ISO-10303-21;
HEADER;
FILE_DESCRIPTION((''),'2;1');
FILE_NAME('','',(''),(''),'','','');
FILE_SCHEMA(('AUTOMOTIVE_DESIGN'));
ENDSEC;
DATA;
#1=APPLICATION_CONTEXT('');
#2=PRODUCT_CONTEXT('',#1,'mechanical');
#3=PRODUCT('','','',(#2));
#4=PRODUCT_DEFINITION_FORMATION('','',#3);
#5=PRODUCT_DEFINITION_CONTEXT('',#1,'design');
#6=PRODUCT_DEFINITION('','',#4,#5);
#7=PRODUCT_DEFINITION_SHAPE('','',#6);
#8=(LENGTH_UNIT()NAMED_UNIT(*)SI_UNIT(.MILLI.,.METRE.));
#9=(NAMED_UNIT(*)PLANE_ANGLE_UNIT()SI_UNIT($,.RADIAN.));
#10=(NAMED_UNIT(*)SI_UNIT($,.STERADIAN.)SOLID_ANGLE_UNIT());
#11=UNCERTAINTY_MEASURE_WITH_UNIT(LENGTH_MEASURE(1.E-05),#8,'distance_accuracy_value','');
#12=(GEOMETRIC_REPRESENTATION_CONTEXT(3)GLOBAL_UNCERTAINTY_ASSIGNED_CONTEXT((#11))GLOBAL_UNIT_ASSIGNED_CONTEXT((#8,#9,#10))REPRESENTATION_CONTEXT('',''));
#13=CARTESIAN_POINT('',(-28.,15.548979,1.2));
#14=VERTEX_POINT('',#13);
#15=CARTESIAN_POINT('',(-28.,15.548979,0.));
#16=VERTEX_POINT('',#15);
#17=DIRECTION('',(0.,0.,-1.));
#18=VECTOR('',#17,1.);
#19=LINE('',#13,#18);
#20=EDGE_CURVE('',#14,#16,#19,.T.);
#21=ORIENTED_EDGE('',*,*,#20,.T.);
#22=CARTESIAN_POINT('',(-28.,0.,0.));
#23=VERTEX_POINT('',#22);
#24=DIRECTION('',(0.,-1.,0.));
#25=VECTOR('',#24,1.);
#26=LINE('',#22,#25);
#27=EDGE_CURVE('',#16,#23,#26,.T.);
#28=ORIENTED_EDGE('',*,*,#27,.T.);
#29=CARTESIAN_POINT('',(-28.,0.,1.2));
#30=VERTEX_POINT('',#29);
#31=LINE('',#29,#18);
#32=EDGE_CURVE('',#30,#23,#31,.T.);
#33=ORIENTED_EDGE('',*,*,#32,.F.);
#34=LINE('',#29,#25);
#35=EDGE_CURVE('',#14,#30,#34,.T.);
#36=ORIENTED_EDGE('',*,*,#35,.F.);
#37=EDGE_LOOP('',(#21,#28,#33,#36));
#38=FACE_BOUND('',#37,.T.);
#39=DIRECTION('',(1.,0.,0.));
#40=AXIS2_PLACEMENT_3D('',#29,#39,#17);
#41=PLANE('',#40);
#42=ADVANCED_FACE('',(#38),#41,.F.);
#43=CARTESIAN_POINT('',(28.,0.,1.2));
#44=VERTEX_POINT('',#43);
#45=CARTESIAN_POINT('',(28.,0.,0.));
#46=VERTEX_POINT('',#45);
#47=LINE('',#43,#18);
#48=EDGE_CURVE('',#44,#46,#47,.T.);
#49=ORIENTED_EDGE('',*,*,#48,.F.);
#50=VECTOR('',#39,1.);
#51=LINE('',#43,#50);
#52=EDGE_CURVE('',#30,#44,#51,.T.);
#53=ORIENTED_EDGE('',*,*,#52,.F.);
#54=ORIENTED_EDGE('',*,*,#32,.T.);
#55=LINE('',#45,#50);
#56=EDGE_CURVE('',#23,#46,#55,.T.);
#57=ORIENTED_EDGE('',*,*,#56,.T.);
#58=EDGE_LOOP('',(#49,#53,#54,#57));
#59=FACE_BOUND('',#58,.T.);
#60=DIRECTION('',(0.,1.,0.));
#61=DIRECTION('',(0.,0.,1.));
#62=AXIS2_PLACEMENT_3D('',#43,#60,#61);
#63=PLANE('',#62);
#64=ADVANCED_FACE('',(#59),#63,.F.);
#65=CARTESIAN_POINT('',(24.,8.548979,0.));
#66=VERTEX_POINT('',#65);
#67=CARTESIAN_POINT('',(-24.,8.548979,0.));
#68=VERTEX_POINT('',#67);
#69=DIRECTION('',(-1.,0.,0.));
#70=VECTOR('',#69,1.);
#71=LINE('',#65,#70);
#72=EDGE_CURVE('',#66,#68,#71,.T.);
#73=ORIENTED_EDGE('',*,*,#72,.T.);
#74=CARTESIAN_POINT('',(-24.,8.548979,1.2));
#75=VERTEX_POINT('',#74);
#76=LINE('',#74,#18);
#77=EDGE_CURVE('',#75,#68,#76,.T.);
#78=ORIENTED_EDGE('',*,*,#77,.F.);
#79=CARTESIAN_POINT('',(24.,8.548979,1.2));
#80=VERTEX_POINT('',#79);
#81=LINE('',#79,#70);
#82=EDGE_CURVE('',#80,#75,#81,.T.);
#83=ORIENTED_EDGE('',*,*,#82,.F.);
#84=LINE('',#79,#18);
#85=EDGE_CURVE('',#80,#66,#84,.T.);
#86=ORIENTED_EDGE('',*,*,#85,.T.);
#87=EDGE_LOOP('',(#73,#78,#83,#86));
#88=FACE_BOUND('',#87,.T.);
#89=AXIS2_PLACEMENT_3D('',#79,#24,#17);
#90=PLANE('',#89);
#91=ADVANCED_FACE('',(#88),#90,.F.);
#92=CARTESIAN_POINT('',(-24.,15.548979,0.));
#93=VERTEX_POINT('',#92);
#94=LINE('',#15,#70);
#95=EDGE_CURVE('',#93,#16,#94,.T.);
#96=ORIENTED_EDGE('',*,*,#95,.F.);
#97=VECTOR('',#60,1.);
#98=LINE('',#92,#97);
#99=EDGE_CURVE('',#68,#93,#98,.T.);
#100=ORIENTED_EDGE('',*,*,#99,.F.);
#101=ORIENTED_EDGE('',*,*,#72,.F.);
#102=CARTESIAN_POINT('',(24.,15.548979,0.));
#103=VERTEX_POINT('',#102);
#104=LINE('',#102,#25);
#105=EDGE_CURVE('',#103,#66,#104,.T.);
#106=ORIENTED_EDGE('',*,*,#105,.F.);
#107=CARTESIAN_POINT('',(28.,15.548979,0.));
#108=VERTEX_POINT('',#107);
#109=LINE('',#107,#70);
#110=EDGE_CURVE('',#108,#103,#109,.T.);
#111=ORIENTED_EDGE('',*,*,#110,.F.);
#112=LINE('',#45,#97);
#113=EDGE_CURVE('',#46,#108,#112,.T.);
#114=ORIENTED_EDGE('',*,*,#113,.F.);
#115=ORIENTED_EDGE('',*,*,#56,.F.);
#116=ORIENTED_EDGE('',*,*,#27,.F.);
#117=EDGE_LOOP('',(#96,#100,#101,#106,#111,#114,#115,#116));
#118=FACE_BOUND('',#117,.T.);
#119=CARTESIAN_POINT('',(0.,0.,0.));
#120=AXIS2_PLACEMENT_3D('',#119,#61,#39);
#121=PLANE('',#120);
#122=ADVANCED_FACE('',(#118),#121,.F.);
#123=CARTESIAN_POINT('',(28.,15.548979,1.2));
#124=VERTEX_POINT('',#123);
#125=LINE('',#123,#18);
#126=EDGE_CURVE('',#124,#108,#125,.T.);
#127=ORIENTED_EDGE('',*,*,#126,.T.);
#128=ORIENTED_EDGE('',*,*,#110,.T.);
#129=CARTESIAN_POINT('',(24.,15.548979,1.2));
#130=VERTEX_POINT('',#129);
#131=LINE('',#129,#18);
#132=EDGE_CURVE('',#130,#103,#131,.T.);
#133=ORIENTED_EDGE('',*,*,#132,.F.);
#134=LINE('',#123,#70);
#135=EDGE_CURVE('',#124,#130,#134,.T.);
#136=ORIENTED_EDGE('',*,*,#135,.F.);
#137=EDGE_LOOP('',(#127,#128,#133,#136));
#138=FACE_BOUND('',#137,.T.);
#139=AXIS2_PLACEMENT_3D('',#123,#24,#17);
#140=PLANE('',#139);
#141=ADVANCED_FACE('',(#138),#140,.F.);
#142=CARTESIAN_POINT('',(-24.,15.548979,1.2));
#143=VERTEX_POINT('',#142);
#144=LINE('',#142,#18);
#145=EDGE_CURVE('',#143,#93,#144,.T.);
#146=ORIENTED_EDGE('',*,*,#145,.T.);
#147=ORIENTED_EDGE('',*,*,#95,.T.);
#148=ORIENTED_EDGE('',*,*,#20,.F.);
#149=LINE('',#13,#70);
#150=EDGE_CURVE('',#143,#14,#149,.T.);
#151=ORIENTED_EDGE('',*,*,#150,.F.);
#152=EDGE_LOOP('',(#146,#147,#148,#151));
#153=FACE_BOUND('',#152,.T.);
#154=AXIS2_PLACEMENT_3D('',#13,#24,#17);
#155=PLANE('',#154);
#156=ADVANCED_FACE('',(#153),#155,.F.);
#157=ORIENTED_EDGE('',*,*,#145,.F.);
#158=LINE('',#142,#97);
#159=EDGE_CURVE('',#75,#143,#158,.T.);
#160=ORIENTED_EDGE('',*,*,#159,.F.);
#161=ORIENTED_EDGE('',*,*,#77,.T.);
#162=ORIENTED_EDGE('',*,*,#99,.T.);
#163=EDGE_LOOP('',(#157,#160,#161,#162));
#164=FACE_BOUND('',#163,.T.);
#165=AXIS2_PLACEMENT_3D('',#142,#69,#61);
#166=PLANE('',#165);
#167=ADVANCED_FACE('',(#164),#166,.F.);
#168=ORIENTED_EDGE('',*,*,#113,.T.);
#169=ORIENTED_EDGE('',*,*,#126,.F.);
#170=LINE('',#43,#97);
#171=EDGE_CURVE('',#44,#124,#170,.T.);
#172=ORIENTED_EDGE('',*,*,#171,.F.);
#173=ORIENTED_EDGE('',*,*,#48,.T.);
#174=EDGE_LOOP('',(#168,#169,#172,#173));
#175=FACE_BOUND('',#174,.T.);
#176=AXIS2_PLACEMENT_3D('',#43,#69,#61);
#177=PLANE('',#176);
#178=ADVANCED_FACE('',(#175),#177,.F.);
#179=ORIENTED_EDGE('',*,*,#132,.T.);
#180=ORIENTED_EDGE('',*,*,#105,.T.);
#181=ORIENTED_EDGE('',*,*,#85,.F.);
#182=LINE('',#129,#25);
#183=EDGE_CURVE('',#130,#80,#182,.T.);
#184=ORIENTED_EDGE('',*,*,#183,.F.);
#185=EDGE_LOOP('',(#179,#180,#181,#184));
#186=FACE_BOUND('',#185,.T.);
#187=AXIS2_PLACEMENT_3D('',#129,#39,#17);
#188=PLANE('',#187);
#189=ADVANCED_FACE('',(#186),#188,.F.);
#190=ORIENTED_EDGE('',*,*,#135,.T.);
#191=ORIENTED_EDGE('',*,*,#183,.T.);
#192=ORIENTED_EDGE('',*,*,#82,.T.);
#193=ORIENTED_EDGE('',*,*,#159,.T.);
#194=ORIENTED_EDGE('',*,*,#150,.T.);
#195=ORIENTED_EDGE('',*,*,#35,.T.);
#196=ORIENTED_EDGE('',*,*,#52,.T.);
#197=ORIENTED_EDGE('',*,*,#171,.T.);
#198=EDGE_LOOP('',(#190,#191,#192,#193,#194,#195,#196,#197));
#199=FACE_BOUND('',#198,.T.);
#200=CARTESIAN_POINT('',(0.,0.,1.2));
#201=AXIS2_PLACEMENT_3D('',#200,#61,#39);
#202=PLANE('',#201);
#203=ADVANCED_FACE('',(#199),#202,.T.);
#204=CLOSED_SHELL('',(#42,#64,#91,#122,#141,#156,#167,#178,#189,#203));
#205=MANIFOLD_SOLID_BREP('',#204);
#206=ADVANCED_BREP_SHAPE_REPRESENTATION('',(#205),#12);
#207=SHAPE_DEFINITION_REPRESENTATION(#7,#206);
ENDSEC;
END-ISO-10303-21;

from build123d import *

# Parameters (mm, degrees)
BOSS_EXTRUDE1_DEPTH = 1.2


with BuildPart() as part:
    # Sketch1 → Boss-Extrude1 (new body)
    with BuildSketch(Plane.XY):
        Polygon((28, 0), (-28, 0), (-28, 15.5489795), (-24, 15.5489795), (-24, 8.5489795), (24, 8.5489795), (24, 15.5489795), (28, 15.5489795), align=None)
    extrude(amount=BOSS_EXTRUDE1_DEPTH)


solid = part.part
